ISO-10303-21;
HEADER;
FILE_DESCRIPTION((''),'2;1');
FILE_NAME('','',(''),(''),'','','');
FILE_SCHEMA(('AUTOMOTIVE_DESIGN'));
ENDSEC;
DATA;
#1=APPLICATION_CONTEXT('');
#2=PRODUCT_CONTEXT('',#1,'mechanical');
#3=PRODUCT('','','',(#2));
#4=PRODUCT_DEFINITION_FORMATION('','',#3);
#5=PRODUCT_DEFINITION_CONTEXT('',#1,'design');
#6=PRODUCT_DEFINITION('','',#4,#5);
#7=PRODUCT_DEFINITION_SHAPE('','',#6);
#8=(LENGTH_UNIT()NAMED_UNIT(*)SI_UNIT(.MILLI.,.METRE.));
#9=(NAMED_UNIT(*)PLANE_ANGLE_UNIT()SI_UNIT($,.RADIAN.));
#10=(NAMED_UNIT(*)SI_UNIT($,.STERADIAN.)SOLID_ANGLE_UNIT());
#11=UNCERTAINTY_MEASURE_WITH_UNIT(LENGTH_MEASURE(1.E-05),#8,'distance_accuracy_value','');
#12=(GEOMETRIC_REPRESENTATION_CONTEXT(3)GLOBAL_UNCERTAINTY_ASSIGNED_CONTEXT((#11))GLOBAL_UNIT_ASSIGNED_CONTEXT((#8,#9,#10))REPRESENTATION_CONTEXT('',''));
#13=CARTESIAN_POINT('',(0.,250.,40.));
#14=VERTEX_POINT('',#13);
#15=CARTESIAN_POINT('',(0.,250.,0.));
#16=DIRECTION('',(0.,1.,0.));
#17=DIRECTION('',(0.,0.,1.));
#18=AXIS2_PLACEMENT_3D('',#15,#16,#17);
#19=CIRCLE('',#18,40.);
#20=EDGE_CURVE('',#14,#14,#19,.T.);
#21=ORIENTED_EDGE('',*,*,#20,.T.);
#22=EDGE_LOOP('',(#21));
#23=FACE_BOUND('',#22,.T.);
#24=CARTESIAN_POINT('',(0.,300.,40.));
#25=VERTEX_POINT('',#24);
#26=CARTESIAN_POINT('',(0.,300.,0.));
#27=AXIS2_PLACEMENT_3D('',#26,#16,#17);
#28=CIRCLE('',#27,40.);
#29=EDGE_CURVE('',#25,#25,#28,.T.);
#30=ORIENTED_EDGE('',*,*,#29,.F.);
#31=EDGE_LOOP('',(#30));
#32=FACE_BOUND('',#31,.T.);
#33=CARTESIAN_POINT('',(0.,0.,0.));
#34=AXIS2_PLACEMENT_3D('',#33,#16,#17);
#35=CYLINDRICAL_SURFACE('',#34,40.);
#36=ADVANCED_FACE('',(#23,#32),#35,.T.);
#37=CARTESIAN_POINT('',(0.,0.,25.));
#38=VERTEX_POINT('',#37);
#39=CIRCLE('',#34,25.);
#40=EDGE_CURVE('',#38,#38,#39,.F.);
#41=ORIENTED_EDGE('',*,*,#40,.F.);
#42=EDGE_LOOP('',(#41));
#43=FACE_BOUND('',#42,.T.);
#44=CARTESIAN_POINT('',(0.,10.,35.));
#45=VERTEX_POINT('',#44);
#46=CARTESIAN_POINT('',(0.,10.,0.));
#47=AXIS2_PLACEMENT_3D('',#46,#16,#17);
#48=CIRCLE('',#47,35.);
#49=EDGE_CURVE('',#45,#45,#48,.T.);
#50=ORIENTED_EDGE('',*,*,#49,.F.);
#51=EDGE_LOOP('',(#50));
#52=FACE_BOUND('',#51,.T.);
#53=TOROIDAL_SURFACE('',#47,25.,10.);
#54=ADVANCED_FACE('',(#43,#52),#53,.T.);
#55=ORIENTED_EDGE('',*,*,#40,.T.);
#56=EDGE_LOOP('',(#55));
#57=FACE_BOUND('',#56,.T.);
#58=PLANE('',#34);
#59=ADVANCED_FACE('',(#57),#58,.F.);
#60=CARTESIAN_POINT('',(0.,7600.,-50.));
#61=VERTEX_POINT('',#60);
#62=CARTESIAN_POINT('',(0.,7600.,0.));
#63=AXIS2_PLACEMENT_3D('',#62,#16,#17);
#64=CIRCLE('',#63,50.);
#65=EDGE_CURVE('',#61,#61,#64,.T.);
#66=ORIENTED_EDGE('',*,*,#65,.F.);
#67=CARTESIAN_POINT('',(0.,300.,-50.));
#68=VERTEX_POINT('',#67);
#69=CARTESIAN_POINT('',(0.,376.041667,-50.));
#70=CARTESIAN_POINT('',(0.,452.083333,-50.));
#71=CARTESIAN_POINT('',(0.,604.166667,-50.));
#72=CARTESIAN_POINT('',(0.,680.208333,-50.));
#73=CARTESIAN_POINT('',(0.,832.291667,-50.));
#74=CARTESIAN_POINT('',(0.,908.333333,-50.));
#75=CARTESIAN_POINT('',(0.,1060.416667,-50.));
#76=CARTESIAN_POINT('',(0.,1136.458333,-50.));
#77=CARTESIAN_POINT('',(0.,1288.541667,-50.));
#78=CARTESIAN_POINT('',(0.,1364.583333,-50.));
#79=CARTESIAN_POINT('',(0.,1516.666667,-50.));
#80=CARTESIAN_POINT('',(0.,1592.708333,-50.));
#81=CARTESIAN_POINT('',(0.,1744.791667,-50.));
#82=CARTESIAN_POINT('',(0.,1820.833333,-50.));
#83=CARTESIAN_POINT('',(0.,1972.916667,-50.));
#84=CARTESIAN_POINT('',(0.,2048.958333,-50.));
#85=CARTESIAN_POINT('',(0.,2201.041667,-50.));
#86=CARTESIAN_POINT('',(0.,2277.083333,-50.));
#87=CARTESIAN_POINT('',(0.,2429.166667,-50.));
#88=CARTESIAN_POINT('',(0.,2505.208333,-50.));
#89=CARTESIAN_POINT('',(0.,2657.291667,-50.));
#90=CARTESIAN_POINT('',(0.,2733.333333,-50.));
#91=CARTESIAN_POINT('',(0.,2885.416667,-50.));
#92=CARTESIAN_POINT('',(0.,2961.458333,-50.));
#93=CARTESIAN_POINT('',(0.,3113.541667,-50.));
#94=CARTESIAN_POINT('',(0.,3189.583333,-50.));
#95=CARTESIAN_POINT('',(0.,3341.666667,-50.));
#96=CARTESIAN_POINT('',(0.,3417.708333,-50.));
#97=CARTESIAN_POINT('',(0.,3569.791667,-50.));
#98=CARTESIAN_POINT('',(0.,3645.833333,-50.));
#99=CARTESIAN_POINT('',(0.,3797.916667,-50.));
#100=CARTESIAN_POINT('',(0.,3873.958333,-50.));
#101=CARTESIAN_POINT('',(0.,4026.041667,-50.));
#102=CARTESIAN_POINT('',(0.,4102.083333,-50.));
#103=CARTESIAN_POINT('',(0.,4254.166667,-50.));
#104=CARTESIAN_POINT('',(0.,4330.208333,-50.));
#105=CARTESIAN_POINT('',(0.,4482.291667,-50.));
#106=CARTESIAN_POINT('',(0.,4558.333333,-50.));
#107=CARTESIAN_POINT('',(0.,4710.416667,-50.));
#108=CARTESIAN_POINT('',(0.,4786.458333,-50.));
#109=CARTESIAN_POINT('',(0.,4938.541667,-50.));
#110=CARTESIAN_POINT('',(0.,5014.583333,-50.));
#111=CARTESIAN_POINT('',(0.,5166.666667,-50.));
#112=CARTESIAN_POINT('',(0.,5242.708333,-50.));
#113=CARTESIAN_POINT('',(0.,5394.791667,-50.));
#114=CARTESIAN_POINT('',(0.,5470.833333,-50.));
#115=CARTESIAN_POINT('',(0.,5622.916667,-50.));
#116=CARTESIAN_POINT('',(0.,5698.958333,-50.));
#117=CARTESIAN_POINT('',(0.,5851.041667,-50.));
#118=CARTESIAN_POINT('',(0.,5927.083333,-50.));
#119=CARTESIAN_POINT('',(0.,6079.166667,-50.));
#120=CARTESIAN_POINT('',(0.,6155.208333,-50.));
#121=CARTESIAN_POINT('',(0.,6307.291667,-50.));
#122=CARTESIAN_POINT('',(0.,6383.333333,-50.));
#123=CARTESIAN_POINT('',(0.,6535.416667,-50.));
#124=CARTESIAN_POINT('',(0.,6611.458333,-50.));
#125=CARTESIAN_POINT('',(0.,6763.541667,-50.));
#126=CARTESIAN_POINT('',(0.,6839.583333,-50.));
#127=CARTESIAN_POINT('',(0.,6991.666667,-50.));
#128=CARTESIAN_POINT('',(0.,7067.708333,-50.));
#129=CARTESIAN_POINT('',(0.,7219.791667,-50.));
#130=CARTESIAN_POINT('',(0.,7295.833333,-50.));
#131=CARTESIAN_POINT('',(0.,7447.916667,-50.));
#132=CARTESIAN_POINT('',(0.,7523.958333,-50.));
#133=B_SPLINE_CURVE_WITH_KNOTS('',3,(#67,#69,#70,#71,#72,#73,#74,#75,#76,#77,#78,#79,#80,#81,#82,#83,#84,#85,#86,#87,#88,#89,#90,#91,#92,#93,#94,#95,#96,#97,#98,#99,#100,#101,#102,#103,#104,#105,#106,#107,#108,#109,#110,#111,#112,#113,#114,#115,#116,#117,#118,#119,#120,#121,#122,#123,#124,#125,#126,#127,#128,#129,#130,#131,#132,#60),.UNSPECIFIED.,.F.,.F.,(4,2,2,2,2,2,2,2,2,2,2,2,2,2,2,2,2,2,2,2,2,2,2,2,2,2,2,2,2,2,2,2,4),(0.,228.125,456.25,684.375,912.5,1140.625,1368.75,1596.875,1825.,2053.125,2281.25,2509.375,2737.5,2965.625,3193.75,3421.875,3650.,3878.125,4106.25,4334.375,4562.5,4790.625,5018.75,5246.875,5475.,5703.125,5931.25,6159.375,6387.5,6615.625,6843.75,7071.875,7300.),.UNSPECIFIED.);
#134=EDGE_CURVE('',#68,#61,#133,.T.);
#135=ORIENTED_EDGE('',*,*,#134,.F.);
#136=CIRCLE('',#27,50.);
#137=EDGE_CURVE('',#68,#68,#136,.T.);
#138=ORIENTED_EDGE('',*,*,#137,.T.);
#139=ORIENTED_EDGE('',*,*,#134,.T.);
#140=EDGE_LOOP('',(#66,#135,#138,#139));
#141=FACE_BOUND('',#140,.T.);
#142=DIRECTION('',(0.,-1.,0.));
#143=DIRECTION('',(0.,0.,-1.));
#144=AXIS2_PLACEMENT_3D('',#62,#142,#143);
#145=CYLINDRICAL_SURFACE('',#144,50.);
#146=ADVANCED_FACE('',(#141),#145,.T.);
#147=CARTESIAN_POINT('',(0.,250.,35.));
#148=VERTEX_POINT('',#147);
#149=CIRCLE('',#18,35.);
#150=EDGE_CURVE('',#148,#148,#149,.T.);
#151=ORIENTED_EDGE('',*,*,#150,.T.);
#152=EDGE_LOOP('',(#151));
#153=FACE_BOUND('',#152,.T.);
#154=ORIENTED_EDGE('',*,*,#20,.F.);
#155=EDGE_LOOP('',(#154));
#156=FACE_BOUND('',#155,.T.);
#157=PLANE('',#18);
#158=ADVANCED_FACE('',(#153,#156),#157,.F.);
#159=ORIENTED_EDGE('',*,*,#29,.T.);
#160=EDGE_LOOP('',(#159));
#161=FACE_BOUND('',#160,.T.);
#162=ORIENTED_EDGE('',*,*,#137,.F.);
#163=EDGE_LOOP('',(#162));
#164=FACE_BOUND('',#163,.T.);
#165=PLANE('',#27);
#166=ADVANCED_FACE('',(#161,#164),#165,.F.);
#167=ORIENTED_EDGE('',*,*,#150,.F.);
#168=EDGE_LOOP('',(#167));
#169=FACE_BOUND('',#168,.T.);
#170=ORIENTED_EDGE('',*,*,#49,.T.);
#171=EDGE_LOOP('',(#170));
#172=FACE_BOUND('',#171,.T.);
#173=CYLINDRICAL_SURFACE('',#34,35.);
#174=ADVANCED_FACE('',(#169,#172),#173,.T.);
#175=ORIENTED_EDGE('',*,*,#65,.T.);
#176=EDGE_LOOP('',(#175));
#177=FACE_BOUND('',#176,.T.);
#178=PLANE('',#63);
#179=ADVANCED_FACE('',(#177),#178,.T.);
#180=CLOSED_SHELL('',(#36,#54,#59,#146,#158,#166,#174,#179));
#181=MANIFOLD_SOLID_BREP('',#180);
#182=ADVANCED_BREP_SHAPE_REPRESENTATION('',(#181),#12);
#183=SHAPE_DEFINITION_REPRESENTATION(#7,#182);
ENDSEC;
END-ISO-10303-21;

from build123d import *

# Parameters (mm, degrees)
SKETCH_1_R          = 50
EXTRUDE_1_DEPTH     = 7600
SKETCH_3_R          = 50
SKETCH_3_R_2        = 40
CUT_EXTRUDE_1_DEPTH = 7301.342457721
SKETCH_4_R          = 40
SKETCH_4_R_2        = 35
CUT_EXTRUDE_2_DEPTH = 7351.340128185
FILLET_1_R          = 10


with BuildPart() as part:
    # ｽｹｯﾁ1 → ﾎﾞｽ - 押し出し1 (new body)
    with BuildSketch(Plane(origin=(0, 0, 0), x_dir=(1, 0, 0), z_dir=(0, 1, 0))):
        Circle(SKETCH_1_R)
    extrude(amount=EXTRUDE_1_DEPTH)

    # ｽｹｯﾁ3 → ｶｯﾄ - 押し出し1 (cut, through all)
    with BuildSketch(Plane(origin=(0, 300, 0), x_dir=(1, 0, 0), z_dir=(0, 1, 0))):
        Circle(SKETCH_3_R)
        Circle(SKETCH_3_R_2, mode=Mode.SUBTRACT)
    extrude(amount=-CUT_EXTRUDE_1_DEPTH, mode=Mode.SUBTRACT)

    # ｽｹｯﾁ4 → ｶｯﾄ - 押し出し2 (cut, through all)
    with BuildSketch(Plane(origin=(0, 250, 0), x_dir=(1, 0, 0), z_dir=(0, 1, 0))):
        Circle(SKETCH_4_R)
        Circle(SKETCH_4_R_2, mode=Mode.SUBTRACT)
    extrude(amount=-CUT_EXTRUDE_2_DEPTH, mode=Mode.SUBTRACT)

    # ﾌｨﾚｯﾄ1
    fillet_1_edges = [part.edges().sort_by_distance(p)[0] for p in [
        (-35, 0, 0),
    ]]
    fillet(fillet_1_edges, radius=FILLET_1_R)


solid = part.part
